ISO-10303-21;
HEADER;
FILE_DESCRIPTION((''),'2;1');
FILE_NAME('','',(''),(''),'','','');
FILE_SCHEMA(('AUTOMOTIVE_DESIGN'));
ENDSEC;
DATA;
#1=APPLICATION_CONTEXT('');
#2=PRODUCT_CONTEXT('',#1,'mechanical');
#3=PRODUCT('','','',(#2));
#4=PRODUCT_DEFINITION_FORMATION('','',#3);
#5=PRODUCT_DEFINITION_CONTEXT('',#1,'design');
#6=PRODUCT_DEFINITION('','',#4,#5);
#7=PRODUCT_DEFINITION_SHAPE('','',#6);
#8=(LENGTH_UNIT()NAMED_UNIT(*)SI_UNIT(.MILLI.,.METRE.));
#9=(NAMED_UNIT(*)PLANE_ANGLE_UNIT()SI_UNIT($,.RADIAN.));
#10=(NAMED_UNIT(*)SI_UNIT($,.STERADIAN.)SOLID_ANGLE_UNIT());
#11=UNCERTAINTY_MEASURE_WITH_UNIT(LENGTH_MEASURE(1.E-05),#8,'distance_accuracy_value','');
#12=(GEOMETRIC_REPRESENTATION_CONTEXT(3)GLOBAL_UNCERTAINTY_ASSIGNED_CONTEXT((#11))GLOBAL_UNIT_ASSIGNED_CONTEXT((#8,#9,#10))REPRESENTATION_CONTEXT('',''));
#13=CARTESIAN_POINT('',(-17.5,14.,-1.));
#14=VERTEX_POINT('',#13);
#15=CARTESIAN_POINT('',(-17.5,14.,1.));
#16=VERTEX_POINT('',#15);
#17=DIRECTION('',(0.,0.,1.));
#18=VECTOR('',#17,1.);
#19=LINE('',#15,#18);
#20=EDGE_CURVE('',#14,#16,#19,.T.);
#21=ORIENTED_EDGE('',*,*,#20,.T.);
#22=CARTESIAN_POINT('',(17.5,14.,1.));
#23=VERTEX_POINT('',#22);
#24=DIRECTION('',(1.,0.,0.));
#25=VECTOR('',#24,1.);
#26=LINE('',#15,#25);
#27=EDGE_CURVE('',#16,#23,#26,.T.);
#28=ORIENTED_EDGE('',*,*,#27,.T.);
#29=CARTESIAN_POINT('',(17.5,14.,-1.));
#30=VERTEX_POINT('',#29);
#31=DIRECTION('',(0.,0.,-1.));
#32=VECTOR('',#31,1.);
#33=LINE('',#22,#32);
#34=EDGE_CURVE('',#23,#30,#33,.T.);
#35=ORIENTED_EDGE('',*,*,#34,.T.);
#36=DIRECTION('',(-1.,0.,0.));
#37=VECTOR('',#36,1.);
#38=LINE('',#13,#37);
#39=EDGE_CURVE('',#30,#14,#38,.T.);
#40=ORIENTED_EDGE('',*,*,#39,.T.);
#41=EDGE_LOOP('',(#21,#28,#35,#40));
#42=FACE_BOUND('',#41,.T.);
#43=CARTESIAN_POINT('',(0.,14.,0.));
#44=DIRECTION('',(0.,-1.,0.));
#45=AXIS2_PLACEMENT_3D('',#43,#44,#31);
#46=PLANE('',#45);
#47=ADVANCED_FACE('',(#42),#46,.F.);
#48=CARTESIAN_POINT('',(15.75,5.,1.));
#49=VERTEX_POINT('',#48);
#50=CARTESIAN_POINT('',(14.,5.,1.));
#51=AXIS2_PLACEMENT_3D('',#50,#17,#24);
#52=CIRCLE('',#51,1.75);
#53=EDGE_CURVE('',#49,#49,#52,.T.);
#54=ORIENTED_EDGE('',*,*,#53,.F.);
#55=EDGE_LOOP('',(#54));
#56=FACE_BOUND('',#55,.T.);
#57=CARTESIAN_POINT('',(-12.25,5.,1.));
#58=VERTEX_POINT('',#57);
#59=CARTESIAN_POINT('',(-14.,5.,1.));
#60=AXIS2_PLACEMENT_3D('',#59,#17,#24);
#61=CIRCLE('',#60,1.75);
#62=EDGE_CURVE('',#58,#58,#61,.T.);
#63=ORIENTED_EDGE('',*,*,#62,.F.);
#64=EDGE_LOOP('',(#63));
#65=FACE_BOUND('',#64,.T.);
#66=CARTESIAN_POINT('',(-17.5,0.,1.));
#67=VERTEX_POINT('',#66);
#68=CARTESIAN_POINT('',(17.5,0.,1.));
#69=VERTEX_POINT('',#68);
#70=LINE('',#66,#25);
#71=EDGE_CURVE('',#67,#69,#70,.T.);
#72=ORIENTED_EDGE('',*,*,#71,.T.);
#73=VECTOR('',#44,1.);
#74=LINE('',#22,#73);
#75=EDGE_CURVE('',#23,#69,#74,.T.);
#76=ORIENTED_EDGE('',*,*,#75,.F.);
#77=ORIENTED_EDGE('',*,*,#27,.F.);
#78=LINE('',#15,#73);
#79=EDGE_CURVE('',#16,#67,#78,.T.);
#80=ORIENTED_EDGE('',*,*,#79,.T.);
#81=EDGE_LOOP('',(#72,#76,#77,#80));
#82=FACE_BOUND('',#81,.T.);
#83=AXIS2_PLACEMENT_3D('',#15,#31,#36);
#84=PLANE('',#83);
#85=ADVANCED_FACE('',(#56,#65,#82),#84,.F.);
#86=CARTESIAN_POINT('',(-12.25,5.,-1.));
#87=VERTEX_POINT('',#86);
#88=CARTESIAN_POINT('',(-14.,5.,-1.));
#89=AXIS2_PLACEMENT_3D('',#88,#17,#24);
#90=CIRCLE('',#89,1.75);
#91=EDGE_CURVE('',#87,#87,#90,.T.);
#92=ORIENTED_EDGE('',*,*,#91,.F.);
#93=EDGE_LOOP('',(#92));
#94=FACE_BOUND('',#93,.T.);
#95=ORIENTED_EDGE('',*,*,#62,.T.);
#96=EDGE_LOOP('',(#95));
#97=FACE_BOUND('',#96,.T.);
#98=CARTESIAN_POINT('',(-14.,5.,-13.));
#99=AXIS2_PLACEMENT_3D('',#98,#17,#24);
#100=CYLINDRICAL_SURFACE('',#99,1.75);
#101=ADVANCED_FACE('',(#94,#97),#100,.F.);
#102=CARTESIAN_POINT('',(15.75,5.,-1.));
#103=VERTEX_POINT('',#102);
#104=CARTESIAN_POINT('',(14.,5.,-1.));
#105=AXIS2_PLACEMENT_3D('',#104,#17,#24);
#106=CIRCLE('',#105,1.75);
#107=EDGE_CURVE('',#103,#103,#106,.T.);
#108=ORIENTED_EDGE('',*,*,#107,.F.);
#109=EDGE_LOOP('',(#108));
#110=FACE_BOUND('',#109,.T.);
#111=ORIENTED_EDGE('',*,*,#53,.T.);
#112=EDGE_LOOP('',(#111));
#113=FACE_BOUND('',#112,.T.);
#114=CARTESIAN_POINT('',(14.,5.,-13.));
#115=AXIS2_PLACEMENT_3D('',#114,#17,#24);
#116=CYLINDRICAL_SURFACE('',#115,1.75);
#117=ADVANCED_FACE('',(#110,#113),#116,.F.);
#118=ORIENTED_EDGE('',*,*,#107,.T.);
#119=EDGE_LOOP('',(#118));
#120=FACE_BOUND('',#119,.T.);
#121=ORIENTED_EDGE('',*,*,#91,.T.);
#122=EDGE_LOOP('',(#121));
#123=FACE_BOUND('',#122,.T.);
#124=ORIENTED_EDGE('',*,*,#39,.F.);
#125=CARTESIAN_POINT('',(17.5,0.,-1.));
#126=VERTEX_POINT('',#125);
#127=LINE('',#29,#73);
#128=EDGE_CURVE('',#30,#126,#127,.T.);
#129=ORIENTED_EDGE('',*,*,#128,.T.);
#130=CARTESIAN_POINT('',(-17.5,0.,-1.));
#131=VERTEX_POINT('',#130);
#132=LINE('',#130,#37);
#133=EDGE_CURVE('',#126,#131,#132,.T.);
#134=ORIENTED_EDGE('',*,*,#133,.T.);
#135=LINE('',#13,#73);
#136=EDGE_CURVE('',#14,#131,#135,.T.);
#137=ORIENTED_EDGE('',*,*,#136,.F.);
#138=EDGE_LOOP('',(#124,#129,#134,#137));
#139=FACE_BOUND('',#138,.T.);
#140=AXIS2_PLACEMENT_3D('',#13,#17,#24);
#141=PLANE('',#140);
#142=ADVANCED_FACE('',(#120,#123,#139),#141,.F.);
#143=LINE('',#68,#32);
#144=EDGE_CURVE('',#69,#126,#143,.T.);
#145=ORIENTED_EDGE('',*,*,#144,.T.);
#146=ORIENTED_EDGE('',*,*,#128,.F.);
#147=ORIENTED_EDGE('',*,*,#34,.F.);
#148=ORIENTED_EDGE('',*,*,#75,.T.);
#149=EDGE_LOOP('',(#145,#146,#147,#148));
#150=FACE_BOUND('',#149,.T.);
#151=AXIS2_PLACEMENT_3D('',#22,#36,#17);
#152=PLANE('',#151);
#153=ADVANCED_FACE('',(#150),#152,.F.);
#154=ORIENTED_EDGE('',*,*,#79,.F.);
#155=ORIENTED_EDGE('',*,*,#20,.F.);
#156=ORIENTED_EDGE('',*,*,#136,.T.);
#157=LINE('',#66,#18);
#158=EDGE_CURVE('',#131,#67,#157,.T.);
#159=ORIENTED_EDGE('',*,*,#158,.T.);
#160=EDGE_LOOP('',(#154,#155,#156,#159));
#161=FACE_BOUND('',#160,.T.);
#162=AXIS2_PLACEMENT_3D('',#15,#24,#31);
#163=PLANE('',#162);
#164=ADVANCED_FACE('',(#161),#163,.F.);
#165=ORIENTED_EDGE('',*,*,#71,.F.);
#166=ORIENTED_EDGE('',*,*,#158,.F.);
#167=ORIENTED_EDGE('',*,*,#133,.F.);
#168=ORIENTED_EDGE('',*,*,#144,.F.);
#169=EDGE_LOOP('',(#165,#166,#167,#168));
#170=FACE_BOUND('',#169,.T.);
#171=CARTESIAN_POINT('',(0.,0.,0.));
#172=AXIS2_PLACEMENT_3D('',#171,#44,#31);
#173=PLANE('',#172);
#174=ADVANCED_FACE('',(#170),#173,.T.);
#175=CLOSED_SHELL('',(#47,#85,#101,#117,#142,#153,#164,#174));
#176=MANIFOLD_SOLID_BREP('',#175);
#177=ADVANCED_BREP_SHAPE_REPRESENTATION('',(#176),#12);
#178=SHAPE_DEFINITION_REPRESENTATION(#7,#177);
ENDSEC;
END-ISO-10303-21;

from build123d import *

# Parameters (mm, degrees)
SKETCH1_W           = 35
SKETCH1_H           = 2
BOSS_EXTRUDE1_DEPTH = 14
SKETCH2_R           = 1.75
CUT_EXTRUDE1_DEPTH  = 14


with BuildPart() as part:
    # Sketch1 → Boss-Extrude1 (new body)
    with BuildSketch(Plane(origin=(0, 0, 0), x_dir=(1, 0, 0), z_dir=(0, 1, 0))):
        Rectangle(SKETCH1_W, SKETCH1_H)
    extrude(amount=BOSS_EXTRUDE1_DEPTH)

    # Sketch2 → Cut-Extrude1 (cut)
    with BuildSketch(Plane.XY.offset(1)):
        with Locations((-14, 5)):
            Circle(SKETCH2_R)
        with Locations((14, 5)):
            Circle(SKETCH2_R)
    extrude(amount=-CUT_EXTRUDE1_DEPTH, mode=Mode.SUBTRACT)


solid = part.part
